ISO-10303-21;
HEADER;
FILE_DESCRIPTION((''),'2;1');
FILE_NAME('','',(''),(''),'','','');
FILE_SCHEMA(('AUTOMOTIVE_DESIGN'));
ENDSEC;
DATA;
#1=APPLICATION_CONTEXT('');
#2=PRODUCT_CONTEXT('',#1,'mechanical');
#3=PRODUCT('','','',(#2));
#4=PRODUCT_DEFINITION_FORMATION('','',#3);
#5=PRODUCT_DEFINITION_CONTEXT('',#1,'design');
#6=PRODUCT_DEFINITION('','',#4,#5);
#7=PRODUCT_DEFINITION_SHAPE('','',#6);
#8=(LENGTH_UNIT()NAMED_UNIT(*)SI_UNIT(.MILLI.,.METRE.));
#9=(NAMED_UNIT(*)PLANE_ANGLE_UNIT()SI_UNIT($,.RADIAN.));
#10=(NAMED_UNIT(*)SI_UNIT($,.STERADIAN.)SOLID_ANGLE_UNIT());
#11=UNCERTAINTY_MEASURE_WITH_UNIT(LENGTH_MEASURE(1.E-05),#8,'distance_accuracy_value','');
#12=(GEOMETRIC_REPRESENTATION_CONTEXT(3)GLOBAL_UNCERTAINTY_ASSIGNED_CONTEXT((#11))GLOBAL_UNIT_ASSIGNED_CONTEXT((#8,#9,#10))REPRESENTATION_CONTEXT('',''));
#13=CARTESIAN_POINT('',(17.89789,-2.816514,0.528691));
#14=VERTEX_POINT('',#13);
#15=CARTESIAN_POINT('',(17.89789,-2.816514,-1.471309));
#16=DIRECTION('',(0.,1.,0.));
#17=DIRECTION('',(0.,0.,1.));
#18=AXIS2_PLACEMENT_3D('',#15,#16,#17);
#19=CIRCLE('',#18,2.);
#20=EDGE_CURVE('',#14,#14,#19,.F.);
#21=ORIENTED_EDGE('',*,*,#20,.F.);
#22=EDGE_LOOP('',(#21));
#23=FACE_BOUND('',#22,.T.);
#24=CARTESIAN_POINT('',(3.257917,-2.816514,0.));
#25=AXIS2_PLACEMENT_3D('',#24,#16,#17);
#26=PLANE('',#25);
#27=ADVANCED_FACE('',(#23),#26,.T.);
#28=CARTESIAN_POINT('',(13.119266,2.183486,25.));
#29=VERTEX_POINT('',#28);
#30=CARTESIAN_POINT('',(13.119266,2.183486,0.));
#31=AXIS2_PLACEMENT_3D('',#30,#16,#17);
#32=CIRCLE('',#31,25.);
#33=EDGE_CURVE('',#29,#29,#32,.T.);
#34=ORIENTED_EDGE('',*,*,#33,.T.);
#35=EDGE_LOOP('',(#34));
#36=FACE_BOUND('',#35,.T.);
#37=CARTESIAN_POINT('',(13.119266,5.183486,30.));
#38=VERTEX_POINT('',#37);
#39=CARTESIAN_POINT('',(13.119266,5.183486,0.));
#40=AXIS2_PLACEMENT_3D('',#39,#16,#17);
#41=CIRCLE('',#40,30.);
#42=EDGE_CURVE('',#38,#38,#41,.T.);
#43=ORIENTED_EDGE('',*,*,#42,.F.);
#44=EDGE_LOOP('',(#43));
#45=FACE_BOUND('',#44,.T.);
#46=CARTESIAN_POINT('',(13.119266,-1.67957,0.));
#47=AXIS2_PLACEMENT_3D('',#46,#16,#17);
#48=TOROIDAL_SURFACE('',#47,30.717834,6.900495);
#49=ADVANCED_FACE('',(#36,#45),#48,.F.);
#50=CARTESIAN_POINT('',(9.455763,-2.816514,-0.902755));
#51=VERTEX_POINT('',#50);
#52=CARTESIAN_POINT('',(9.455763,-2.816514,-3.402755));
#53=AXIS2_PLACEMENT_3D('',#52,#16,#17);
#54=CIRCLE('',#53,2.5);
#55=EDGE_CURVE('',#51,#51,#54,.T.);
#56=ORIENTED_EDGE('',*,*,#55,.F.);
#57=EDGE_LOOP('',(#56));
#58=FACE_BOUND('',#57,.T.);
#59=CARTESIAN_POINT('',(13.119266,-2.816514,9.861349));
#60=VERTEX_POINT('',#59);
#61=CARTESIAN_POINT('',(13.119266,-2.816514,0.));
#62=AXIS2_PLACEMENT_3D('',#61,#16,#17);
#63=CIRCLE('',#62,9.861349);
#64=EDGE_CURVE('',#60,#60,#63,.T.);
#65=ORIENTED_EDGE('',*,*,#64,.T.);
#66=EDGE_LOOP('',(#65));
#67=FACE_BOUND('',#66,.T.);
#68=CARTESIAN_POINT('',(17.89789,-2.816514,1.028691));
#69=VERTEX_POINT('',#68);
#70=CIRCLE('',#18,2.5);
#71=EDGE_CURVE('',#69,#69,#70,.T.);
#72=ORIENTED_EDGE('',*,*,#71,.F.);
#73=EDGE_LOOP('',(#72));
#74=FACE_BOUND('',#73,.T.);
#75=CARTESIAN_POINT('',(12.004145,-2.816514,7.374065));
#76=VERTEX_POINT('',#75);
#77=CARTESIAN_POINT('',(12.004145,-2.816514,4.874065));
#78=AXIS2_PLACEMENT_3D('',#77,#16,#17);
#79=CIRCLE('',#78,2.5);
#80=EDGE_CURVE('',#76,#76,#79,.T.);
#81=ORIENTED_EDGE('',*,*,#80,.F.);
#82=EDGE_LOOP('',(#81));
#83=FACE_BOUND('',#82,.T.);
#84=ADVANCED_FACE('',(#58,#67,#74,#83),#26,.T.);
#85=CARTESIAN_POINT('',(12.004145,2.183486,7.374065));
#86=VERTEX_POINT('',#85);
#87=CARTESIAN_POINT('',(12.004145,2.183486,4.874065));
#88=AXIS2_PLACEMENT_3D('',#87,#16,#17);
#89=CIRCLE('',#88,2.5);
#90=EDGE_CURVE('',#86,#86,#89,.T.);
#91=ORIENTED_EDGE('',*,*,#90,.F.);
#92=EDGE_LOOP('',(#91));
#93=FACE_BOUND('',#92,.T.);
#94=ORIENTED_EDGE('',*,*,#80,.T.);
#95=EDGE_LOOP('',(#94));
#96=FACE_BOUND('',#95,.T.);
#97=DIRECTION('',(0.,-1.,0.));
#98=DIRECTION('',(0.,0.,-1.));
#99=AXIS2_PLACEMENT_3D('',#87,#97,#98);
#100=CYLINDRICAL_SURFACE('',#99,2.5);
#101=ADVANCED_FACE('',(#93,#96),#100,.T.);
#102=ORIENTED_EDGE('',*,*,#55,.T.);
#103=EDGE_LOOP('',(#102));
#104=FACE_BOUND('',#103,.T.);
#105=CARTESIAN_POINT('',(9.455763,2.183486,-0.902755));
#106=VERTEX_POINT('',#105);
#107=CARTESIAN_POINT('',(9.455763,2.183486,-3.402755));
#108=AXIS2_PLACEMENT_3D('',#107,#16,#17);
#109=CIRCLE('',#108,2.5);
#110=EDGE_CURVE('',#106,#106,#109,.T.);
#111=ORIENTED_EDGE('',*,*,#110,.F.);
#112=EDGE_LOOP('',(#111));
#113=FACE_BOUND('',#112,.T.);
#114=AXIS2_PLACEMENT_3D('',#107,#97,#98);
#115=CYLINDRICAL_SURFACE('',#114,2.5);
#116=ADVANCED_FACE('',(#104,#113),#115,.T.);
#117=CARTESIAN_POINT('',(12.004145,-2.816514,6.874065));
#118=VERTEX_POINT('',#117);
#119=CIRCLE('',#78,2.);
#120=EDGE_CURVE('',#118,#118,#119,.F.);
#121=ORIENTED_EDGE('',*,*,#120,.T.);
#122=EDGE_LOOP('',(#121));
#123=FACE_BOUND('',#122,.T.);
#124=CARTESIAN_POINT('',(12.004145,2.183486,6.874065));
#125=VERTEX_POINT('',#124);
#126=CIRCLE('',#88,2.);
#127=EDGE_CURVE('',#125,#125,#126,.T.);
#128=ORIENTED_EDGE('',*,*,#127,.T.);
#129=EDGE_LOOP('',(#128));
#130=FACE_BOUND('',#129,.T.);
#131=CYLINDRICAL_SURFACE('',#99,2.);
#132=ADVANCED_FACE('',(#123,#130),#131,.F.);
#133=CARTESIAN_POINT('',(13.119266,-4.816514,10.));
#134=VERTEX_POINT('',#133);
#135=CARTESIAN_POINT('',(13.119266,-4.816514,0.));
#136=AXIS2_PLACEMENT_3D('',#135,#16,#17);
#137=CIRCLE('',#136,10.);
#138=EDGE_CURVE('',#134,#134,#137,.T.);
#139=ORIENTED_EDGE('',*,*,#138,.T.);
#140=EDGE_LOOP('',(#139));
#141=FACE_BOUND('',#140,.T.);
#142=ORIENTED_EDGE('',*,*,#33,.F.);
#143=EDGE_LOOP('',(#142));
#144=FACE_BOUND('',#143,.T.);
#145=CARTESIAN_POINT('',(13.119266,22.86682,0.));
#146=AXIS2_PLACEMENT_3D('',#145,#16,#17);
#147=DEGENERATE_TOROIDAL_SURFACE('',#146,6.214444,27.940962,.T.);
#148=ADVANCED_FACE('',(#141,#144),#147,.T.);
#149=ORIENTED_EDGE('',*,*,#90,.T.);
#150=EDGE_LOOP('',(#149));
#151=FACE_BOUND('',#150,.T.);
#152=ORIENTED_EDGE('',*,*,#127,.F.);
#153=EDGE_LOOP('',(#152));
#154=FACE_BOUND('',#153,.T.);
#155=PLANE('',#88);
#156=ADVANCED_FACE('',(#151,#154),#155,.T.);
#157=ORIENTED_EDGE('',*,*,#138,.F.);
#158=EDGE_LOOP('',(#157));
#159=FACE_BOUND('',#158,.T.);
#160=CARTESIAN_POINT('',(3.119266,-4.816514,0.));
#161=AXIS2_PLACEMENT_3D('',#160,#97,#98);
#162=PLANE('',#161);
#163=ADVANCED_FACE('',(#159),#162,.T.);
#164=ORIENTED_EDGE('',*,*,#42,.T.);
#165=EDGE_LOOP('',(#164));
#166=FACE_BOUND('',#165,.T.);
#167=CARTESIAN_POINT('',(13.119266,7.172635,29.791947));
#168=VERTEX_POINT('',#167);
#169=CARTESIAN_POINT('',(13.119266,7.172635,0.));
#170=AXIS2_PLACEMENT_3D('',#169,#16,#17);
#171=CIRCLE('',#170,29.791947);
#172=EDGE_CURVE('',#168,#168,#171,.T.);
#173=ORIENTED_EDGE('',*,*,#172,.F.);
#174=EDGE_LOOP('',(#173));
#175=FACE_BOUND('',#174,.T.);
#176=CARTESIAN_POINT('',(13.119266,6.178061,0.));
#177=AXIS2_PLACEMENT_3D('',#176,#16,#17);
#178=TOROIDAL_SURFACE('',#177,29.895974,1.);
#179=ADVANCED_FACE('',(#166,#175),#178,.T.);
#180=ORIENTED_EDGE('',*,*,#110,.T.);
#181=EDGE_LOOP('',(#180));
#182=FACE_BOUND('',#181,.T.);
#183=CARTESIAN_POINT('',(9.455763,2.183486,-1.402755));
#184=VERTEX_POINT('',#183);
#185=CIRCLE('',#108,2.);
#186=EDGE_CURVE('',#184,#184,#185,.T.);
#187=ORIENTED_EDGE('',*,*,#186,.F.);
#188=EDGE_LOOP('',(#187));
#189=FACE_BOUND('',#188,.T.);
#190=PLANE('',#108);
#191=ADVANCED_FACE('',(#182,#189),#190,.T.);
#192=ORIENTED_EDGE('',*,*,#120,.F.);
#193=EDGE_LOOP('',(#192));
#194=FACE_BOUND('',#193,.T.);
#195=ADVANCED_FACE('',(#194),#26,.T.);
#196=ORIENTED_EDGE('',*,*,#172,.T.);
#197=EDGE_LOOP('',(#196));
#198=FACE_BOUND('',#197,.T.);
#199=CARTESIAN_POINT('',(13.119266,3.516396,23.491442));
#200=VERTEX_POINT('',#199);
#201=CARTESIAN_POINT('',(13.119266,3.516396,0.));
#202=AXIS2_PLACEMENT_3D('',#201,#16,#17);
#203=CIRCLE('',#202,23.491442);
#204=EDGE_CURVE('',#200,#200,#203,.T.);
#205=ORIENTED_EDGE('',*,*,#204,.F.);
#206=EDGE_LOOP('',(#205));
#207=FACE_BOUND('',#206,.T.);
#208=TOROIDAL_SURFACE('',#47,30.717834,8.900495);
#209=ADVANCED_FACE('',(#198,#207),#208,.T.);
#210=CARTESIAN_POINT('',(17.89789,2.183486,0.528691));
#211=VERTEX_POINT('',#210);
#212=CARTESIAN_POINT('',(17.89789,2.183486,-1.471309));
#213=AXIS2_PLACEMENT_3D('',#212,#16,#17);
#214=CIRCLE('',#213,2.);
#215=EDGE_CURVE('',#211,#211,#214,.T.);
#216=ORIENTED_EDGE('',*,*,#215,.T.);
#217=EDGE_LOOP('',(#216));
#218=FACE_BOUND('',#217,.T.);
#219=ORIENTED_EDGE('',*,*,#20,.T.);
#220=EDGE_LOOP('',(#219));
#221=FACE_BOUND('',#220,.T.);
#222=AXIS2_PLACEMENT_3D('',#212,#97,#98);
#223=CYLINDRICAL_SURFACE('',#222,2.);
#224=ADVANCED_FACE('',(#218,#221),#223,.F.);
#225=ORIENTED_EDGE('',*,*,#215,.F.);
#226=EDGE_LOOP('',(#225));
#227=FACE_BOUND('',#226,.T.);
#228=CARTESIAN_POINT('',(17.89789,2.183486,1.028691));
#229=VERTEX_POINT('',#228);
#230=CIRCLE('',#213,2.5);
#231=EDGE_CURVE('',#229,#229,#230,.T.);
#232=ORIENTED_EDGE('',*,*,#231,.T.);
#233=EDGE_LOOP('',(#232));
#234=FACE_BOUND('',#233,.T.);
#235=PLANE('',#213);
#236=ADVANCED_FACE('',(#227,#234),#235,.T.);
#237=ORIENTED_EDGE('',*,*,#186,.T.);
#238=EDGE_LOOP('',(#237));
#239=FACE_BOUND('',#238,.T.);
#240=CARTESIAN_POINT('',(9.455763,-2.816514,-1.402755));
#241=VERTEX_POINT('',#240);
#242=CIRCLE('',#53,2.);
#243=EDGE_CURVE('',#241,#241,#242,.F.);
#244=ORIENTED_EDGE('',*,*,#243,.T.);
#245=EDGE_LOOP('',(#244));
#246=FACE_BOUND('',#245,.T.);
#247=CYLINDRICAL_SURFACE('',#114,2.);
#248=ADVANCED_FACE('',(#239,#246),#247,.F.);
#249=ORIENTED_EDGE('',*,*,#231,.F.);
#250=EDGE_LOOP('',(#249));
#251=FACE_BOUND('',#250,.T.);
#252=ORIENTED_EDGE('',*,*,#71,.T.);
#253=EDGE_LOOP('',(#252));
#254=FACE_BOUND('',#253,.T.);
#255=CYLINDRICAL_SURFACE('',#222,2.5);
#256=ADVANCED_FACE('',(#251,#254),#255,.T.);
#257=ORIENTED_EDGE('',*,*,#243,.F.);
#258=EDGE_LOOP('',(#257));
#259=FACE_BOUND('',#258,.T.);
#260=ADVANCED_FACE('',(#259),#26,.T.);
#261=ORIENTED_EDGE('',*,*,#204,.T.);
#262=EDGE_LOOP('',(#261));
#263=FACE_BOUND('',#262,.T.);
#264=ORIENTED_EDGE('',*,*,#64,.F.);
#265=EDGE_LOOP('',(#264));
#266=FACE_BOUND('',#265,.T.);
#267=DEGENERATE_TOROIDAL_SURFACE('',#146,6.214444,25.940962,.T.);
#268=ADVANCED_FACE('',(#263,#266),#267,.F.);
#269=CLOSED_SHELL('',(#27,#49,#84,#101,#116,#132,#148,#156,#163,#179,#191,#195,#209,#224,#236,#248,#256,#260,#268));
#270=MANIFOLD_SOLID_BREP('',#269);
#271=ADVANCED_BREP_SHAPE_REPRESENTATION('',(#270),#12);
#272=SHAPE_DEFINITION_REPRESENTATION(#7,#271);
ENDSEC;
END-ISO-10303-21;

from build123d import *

# Parameters (mm, degrees)
SKETCH2_R           = 2.5
SKETCH2_R_2         = 2
BOSS_EXTRUDE2_DEPTH = 5


with BuildPart() as part:
    # Sketch1 → Revolve1 (revolve)
    with BuildSketch(Plane.XY, mode=Mode.PRIVATE) as revolve1_sk:
        with BuildLine():
            Line((3.119266055, -4.816513761), (13.119266055, -4.816513761))
            Line((13.119266055, -4.816513761), (13.119266055, -2.816513761))
            Line((13.119266055, -2.816513761), (3.257916771, -2.816513761))
            ThreePointArc((3.257916771, -2.816513761), (-4.025816821, -0.658797724), (-10.372175668, 3.516396035))
            ThreePointArc((-10.372175668, 3.516396035), (-13.131249362, 6.018603225), (-16.672681055, 7.172635302))
            ThreePointArc((-16.672681055, 7.172635302), (-17.771282031, 6.282087215), (-16.880733945, 5.183486239))
            ThreePointArc((-16.880733945, 5.183486239), (-14.048292509, 4.237555299), (-11.880733945, 2.183486239))
            ThreePointArc((-11.880733945, 2.183486239), (-4.911005239, -2.452809391), (3.119266055, -4.816513761))
        make_face()
    revolve(revolve1_sk.sketch.rotate(Axis((13.119266055, -2.816513761, 0), (0, -1, 0)), 270), axis=Axis((13.119266055, -2.816513761, 0), (0, -1, 0)))

    # Sketch2 → Boss-Extrude2 (add)
    # profile 1 of 3: a face of its own
    with BuildSketch(Plane(origin=(0, -2.816513761, 0), x_dir=(1, 0, 0), z_dir=(0, 1, 0))):
        with Locations(Location((9.455762685, 3.402755216, 0), (0, 0, 270))):
            Circle(SKETCH2_R)
        with Locations(Location((9.455762685, 3.402755216, 0), (0, 0, 270))):
            Circle(SKETCH2_R_2, mode=Mode.SUBTRACT)
    # profile 2 of 3: a face of its own
    with BuildSketch(Plane(origin=(0, -2.816513761, 0), x_dir=(1, 0, 0), z_dir=(0, 1, 0))):
        with Locations(Location((17.8978902, 1.471309377, 0), (0, 0, 270))):
            Circle(SKETCH2_R)
        with Locations(Location((17.8978902, 1.471309377, 0), (0, 0, 270))):
            Circle(SKETCH2_R_2, mode=Mode.SUBTRACT)
    # profile 3 of 3: a face of its own
    with BuildSketch(Plane(origin=(0, -2.816513761, 0), x_dir=(1, 0, 0), z_dir=(0, 1, 0))):
        with Locations(Location((12.00414528, -4.874064593, 0), (0, 0, 270))):
            Circle(SKETCH2_R)
        with Locations(Location((12.00414528, -4.874064593, 0), (0, 0, 270))):
            Circle(SKETCH2_R_2, mode=Mode.SUBTRACT)
    extrude(amount=BOSS_EXTRUDE2_DEPTH)


solid = part.part
